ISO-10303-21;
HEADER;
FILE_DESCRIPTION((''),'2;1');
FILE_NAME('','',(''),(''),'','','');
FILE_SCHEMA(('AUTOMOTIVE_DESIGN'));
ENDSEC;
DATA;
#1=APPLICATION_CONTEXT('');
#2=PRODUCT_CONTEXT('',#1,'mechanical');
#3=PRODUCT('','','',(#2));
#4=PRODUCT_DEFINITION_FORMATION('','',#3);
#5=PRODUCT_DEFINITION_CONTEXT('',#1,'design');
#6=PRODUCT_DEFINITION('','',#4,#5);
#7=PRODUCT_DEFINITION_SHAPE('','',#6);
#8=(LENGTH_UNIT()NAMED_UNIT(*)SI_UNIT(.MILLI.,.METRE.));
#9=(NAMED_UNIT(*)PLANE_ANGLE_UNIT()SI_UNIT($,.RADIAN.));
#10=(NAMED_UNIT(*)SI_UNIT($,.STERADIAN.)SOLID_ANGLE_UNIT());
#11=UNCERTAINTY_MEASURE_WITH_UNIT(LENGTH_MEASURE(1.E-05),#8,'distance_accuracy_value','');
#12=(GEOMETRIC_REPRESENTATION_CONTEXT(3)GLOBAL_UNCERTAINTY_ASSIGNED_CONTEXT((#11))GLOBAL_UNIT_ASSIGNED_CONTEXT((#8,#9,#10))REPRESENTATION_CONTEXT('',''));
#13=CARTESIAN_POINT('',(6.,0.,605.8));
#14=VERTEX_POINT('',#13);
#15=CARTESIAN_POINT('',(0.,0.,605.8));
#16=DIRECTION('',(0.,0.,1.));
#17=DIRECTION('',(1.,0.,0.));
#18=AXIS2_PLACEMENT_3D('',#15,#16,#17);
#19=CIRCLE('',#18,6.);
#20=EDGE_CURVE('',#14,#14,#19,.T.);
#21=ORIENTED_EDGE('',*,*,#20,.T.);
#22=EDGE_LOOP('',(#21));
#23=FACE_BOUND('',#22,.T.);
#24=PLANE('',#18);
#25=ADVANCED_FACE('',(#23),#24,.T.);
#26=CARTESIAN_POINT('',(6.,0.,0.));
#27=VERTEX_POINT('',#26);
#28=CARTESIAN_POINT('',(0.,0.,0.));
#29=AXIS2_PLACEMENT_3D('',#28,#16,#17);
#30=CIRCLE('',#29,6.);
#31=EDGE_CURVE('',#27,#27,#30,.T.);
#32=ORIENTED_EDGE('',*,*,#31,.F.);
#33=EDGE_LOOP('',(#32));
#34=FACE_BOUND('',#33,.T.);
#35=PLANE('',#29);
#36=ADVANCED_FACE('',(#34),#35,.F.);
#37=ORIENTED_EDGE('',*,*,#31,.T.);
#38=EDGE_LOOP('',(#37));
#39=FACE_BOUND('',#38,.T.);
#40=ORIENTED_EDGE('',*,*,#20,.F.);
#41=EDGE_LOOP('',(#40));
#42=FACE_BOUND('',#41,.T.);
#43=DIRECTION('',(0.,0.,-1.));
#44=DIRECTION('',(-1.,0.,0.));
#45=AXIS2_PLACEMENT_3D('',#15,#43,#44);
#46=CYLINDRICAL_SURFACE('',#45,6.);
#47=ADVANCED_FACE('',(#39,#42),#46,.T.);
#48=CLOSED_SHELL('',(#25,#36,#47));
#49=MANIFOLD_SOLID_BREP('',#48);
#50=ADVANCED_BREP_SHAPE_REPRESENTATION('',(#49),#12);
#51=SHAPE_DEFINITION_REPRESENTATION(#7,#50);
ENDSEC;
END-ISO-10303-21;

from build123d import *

# Parameters (mm, degrees)
CROQUIS1_R              = 6
SALIENTE_EXTRUIR1_DEPTH = 605.8


with BuildPart() as part:
    # Croquis1 → Saliente-Extruir1 (new body)
    with BuildSketch(Plane.XY):
        Circle(CROQUIS1_R)
    extrude(amount=SALIENTE_EXTRUIR1_DEPTH)


solid = part.part
